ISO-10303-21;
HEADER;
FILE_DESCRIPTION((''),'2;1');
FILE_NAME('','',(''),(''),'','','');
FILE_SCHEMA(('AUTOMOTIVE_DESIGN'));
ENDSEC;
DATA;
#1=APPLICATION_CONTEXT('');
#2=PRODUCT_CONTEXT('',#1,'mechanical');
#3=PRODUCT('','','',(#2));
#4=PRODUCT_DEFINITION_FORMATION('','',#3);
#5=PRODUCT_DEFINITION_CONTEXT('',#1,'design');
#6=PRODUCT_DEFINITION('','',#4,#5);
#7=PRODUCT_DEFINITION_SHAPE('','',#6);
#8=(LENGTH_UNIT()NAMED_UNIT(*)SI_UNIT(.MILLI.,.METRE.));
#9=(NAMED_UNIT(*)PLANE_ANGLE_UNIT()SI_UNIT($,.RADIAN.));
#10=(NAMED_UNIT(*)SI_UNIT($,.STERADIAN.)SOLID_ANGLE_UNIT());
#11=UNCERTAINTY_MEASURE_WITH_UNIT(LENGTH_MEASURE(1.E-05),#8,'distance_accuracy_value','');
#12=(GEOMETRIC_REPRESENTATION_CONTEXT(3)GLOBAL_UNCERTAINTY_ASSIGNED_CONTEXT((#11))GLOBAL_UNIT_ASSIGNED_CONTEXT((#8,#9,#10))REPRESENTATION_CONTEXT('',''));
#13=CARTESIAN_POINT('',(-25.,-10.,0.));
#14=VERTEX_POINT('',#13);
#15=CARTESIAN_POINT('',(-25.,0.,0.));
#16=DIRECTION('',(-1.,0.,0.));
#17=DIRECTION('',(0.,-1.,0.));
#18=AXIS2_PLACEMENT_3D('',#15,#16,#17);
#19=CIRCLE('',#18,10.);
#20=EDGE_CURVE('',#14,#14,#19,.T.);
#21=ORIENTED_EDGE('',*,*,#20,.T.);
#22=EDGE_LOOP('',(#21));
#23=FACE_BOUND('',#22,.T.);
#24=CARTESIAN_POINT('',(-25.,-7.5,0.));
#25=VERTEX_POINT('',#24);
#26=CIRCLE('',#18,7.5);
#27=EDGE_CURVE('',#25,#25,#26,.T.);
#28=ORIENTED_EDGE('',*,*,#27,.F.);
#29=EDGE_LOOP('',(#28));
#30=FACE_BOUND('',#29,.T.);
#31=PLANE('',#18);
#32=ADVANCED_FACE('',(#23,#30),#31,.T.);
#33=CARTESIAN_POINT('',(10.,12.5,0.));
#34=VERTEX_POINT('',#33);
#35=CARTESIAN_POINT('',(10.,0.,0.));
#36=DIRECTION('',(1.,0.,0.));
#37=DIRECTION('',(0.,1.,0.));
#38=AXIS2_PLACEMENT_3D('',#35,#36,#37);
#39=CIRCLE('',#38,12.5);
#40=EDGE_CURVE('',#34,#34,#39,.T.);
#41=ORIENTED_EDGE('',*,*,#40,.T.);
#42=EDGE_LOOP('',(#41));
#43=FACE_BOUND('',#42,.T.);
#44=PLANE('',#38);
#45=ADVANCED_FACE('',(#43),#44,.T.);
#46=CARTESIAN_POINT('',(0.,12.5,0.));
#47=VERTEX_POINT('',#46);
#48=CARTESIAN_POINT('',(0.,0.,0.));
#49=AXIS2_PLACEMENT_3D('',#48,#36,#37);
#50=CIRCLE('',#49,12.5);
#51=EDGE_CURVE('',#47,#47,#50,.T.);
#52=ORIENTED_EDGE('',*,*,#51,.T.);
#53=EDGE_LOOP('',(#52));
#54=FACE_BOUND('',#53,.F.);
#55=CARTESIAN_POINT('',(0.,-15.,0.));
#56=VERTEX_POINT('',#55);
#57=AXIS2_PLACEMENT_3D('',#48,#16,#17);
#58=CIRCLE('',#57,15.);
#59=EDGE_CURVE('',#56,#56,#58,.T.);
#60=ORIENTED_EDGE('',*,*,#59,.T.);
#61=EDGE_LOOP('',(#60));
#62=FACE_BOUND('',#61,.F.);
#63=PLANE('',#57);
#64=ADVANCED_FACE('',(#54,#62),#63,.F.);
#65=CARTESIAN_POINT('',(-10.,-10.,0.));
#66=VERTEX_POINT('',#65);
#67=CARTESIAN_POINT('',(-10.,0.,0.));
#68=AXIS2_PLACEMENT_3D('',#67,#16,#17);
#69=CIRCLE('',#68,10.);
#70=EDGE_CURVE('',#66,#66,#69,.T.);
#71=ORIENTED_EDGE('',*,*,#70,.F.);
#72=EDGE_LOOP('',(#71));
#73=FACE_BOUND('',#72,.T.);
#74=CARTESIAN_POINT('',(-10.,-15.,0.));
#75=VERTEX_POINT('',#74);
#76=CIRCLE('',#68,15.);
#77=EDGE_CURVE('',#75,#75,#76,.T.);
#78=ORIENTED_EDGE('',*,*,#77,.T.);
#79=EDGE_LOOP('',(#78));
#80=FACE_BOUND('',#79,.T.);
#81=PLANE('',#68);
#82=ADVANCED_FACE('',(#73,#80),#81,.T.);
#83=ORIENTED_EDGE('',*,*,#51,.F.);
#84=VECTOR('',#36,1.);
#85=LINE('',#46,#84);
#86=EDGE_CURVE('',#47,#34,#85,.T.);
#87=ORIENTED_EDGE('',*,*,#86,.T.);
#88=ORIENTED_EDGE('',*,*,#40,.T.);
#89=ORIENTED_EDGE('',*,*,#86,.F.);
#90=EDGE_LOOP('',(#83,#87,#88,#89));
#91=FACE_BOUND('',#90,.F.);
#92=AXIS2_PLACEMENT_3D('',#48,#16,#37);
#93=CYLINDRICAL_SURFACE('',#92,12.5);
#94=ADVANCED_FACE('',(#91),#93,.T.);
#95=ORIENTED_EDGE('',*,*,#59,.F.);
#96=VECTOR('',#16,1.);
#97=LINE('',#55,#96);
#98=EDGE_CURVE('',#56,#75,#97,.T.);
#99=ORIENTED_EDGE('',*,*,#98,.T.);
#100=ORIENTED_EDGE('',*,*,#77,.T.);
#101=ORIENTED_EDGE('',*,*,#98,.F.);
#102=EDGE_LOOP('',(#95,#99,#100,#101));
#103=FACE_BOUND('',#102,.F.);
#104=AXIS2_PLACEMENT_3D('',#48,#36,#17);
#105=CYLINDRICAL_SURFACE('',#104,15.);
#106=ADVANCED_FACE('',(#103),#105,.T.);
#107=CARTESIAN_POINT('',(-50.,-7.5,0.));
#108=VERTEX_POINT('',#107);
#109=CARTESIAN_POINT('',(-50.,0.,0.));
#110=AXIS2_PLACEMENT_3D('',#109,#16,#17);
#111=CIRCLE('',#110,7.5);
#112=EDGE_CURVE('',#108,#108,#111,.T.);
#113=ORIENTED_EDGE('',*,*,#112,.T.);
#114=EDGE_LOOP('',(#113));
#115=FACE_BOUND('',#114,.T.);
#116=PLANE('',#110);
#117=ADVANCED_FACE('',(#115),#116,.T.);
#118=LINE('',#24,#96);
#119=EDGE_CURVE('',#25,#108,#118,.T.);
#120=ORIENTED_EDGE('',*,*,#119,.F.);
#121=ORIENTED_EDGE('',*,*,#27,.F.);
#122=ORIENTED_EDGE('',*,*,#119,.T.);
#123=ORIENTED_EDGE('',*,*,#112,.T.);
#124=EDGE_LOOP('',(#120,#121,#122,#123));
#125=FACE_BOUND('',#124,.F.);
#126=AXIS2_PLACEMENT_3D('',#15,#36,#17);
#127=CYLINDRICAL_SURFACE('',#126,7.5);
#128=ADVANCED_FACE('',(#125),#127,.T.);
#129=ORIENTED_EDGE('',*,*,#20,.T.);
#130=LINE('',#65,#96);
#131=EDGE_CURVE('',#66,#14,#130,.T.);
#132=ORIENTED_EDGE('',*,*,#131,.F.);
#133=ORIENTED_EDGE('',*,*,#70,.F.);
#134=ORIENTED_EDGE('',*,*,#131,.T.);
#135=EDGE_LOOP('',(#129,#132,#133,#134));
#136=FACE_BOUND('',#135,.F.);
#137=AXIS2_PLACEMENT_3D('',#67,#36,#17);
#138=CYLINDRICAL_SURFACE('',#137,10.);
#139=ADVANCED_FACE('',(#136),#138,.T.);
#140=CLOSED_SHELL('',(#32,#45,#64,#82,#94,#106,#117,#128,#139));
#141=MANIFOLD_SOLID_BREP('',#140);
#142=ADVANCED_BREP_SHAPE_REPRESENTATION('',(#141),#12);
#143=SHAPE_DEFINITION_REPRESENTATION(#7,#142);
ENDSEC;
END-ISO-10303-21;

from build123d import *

# Parameters (mm, degrees)
F0_R     = 12.5
F1_DEPTH = 10
F2_R     = 15
F3_DEPTH = 10
F4_R     = 10
F5_DEPTH = 15
F6_R     = 7.5
F7_DEPTH = 25


with BuildPart() as f1:
    # F0 (on Right) → F1 (new body)
    with BuildSketch(Plane.YZ):
        Circle(F0_R)
    extrude(amount=F1_DEPTH)

    # F2 (on face) → F3 (join)
    with BuildSketch(Plane(origin=(0, 0, 0), x_dir=(0, -1, 0), z_dir=(-1, 0, 0))):
        Circle(F2_R)
    extrude(amount=F3_DEPTH)

    # F4 (on face) → F5 (join)
    with BuildSketch(Plane(origin=(-10, 0, 0), x_dir=(0, -1, 0), z_dir=(-1, 0, 0))):
        Circle(F4_R)
    extrude(amount=F5_DEPTH)

    # F6 (on face) → F7 (join)
    with BuildSketch(Plane(origin=(-25, 0, 0), x_dir=(0, -1, 0), z_dir=(-1, 0, 0))):
        Circle(F6_R)
    extrude(amount=F7_DEPTH)


solid = f1.part
